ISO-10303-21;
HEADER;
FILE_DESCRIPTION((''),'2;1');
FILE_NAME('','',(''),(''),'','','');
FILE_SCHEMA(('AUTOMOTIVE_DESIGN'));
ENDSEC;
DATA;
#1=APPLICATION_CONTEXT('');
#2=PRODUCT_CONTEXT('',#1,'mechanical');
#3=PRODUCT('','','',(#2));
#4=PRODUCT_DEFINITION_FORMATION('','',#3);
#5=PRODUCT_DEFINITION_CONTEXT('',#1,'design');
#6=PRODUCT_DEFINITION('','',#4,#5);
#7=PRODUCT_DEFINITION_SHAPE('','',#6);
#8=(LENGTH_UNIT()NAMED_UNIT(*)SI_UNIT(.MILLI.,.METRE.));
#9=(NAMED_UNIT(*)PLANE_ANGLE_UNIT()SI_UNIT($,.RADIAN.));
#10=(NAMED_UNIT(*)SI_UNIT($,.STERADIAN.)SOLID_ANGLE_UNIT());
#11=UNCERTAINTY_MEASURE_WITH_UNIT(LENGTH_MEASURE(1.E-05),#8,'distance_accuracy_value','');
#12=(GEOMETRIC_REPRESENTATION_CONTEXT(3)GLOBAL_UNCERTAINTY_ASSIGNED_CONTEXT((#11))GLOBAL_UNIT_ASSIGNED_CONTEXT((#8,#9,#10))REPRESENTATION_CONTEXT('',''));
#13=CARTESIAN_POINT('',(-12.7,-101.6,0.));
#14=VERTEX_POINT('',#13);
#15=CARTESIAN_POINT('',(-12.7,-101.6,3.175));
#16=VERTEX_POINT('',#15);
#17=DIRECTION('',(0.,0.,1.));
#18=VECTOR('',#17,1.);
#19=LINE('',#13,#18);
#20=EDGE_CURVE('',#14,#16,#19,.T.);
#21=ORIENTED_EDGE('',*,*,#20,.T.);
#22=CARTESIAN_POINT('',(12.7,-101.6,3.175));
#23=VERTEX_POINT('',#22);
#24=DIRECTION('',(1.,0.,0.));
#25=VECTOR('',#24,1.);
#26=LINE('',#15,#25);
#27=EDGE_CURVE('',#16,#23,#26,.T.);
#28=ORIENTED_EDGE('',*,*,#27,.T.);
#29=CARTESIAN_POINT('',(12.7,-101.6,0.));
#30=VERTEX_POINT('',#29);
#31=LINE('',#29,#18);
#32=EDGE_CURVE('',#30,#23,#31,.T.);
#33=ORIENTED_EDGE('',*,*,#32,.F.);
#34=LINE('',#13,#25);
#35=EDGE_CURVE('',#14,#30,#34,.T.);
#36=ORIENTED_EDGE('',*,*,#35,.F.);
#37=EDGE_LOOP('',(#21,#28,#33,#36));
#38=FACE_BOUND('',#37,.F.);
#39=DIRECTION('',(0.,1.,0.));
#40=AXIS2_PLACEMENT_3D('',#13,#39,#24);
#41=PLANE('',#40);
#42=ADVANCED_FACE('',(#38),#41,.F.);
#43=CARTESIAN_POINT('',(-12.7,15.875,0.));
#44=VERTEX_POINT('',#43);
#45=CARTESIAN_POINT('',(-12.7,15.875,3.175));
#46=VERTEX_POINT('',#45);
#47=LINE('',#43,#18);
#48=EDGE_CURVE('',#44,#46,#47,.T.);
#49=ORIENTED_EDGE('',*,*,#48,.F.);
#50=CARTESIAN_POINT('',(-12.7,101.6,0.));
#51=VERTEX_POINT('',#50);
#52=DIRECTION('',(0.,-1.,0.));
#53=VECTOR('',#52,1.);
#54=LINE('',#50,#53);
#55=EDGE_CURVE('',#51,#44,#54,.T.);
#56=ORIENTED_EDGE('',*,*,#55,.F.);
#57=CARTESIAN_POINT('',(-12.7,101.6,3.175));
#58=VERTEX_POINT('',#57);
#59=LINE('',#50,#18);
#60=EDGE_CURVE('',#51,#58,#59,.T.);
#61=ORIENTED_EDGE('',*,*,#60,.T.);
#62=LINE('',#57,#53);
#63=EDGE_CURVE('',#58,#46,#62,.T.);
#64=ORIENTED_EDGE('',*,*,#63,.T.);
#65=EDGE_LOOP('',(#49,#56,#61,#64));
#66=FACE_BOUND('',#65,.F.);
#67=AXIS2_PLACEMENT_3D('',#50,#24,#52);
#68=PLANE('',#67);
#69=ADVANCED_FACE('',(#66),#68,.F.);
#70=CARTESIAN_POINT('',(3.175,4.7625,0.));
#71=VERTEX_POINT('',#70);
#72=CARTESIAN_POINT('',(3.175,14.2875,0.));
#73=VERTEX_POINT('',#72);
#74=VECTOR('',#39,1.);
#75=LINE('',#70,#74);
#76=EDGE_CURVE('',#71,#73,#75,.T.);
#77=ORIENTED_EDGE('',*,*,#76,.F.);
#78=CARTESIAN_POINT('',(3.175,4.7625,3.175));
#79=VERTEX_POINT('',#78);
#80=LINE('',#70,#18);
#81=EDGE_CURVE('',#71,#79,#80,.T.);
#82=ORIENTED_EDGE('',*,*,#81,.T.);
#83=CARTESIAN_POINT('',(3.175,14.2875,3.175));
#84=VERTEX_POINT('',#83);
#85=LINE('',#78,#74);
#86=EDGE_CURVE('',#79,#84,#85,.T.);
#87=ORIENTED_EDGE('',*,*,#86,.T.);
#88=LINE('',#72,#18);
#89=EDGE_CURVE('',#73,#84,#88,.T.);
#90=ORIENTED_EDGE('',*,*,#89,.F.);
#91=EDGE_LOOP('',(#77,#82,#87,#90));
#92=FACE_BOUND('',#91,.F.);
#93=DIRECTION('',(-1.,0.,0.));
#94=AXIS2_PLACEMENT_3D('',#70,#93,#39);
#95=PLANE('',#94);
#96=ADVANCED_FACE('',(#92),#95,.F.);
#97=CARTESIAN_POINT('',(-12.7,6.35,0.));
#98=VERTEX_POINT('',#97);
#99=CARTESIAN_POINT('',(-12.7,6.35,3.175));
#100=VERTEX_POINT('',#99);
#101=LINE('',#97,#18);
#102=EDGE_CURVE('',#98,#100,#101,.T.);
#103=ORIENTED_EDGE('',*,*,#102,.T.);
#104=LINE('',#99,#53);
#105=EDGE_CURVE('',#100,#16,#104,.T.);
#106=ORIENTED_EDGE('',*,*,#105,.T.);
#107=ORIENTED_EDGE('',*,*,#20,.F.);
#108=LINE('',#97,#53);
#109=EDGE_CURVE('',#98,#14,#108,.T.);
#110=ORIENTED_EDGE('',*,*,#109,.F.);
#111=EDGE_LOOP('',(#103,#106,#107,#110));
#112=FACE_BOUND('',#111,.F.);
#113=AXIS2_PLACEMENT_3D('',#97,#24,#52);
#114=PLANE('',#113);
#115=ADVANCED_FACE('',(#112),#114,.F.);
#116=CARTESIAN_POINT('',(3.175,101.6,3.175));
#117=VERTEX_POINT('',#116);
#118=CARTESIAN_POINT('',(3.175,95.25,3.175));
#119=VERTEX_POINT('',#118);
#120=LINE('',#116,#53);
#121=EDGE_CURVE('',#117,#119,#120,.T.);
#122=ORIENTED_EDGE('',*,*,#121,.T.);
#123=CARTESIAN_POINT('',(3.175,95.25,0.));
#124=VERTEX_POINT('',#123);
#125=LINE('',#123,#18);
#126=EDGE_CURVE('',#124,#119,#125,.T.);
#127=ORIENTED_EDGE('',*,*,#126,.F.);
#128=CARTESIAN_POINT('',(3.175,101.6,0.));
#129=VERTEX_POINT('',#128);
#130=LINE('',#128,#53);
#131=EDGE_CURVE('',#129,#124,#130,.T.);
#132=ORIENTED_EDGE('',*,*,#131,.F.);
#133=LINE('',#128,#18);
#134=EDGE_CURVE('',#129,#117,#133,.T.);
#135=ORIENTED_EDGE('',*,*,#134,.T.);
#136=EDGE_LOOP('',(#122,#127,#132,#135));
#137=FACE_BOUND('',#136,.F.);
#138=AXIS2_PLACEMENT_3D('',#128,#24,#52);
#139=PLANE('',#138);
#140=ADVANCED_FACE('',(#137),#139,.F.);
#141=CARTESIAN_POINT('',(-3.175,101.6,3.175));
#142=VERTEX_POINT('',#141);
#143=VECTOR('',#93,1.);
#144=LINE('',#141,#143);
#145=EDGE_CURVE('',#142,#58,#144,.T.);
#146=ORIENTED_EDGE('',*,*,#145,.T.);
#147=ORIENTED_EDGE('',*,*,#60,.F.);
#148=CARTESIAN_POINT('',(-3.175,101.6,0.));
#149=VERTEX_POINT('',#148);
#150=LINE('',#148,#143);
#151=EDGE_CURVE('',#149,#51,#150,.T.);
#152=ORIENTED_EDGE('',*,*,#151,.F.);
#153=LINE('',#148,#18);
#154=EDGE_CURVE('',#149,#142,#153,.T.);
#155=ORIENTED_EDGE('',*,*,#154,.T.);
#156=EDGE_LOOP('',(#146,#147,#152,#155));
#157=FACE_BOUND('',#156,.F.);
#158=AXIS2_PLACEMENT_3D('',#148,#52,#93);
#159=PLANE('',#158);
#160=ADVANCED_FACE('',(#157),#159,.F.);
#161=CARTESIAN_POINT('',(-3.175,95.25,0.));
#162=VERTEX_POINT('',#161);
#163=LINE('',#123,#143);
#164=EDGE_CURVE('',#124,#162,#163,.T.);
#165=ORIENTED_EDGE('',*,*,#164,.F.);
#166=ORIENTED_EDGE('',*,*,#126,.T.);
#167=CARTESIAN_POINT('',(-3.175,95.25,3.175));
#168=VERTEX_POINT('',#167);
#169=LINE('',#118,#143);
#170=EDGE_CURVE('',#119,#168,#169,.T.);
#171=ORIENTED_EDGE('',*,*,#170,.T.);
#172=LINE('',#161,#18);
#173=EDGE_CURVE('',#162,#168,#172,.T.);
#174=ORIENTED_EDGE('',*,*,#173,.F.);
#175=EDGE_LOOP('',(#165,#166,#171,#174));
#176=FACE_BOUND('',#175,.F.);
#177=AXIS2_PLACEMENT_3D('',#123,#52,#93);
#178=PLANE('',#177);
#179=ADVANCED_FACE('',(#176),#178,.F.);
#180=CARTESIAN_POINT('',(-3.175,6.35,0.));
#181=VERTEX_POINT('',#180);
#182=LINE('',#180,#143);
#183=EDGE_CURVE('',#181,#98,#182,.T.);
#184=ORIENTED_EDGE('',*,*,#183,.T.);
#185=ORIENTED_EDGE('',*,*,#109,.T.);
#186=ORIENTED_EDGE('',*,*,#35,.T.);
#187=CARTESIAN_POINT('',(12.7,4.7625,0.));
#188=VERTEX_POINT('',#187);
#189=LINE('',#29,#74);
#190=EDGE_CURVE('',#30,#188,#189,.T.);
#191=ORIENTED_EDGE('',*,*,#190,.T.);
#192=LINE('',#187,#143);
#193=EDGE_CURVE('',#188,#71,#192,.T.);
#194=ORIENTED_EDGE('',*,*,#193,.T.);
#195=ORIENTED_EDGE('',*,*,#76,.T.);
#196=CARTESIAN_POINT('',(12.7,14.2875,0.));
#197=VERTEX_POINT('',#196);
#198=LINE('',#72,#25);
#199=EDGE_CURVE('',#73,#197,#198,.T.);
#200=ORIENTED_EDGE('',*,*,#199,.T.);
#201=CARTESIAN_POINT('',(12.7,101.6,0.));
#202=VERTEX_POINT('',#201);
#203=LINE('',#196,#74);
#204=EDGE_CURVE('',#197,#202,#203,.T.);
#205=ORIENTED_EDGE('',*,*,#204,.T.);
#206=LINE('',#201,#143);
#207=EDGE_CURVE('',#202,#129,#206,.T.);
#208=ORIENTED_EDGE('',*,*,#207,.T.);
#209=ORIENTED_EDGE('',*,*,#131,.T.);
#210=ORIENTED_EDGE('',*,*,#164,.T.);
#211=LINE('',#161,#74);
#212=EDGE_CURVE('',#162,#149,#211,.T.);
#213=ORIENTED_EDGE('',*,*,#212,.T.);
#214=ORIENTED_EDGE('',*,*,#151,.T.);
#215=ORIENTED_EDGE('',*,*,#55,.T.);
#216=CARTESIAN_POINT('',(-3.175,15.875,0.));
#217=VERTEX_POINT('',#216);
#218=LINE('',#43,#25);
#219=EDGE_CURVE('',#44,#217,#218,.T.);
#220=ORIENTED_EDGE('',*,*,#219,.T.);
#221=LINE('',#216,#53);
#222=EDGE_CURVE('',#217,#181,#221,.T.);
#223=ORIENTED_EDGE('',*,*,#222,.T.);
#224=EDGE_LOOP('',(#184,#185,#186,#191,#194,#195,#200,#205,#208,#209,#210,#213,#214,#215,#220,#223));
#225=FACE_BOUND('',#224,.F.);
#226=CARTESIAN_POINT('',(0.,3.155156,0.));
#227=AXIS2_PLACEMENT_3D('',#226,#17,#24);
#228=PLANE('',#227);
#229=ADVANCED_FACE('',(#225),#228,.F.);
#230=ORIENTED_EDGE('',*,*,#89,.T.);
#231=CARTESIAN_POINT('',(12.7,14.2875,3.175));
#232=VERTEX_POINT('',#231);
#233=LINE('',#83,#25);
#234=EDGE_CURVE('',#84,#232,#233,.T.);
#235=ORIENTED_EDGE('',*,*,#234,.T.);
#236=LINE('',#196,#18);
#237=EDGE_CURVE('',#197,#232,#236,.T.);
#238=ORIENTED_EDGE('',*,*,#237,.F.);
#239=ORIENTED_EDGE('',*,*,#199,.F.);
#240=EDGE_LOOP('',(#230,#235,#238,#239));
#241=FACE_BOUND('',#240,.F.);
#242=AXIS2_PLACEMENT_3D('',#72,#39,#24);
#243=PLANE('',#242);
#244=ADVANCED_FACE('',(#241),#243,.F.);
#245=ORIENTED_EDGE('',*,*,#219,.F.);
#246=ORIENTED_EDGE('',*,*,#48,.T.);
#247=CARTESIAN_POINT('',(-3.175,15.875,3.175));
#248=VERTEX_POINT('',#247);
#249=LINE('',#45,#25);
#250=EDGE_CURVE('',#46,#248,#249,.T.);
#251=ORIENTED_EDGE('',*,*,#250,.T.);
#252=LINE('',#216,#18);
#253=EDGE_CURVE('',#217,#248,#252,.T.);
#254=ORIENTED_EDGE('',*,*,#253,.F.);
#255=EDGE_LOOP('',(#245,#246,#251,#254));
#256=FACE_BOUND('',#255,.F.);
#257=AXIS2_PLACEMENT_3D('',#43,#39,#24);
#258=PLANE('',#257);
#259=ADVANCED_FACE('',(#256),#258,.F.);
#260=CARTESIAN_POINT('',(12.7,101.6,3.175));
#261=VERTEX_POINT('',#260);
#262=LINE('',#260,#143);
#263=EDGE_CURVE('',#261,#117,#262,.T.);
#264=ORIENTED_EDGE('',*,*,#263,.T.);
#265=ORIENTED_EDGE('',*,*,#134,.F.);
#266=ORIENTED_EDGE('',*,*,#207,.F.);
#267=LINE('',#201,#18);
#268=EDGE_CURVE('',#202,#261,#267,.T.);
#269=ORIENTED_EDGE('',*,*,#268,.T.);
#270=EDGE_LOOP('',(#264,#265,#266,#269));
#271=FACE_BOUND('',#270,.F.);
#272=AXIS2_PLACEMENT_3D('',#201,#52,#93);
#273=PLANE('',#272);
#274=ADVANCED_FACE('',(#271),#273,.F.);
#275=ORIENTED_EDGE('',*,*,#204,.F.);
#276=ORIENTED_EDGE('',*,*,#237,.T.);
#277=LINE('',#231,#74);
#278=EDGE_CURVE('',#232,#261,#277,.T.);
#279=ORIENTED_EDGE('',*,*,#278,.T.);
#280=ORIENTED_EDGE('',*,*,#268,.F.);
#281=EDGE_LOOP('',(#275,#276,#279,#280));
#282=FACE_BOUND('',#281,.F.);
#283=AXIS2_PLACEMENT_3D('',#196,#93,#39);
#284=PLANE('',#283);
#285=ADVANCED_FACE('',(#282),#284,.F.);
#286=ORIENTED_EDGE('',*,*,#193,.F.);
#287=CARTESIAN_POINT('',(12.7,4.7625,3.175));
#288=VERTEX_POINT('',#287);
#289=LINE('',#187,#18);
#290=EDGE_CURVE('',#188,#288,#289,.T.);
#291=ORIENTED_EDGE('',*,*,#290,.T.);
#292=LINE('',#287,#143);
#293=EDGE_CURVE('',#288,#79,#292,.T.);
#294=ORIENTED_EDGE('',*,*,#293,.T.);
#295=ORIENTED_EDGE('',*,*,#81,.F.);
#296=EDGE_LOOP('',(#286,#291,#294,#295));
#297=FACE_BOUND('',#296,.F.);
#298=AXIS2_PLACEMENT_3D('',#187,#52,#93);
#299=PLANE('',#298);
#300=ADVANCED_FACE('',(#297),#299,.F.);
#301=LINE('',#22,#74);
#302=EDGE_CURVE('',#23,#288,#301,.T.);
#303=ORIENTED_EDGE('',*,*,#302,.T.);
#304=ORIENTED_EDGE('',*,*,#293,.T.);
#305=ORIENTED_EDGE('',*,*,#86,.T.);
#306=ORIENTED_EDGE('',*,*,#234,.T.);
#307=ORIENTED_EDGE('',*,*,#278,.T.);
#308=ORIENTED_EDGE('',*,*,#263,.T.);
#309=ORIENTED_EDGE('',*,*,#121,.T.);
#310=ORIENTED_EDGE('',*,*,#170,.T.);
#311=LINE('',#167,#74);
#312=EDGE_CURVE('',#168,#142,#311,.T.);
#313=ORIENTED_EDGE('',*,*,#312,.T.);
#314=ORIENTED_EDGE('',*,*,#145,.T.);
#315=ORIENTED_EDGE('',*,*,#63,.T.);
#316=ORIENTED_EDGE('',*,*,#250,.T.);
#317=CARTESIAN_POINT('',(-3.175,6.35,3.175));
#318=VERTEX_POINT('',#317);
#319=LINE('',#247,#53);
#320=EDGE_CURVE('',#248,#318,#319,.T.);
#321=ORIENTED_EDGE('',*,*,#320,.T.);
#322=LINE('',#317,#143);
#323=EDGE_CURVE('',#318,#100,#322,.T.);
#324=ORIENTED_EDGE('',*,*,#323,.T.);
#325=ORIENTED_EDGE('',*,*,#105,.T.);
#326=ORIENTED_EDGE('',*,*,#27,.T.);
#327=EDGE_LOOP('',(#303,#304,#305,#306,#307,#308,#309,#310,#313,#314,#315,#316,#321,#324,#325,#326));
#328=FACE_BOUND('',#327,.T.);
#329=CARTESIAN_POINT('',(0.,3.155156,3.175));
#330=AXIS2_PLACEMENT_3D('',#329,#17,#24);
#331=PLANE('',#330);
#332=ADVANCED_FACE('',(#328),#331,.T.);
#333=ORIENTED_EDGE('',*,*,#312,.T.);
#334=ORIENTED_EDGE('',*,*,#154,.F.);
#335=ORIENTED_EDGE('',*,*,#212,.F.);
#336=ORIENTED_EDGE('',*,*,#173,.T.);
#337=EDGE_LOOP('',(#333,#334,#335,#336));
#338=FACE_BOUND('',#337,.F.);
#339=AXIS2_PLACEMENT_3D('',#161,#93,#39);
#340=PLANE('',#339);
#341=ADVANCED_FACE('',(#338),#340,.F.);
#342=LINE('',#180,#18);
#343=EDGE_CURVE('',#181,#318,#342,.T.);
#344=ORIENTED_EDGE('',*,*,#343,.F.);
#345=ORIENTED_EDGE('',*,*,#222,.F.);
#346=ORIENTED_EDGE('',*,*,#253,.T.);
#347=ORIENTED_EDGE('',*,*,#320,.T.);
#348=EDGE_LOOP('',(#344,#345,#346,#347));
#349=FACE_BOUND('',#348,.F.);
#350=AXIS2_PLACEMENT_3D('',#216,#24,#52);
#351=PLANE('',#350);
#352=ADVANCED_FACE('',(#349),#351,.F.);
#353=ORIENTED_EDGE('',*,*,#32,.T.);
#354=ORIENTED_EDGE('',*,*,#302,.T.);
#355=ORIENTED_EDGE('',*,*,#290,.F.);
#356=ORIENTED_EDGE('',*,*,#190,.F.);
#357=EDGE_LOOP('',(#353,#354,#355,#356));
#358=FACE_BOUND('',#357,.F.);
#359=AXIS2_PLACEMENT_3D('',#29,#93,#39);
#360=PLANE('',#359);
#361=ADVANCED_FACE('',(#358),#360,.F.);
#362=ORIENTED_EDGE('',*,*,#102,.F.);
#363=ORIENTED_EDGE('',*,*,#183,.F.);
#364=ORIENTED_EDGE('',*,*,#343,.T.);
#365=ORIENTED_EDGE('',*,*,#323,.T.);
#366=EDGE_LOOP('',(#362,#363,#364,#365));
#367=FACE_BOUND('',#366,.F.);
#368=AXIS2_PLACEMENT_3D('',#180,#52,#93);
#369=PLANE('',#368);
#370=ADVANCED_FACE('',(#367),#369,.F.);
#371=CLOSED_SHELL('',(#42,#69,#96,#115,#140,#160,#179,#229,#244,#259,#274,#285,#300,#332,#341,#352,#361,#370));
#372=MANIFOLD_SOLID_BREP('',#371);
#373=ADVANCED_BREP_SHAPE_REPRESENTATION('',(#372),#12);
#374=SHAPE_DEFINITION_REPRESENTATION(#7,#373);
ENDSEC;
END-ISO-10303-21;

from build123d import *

# Parameters (mm, degrees)
F1_DEPTH = 3.175


with BuildPart() as f1:
    # F0 (on Top) → F1 (new body)
    with BuildSketch(Plane.XY):
        Polygon((-12.7, 6.35), (-12.7, -101.6), (12.7, -101.6), (12.7, 4.7625), (3.175, 4.7625), (3.175, 14.2875), (12.7, 14.2875), (12.7, 101.6), (3.175, 101.6), (3.175, 95.25), (-3.175, 95.25), (-3.175, 101.6), (-12.7, 101.6), (-12.7, 15.875), (-3.175, 15.875), (-3.175, 6.35), align=None)
    extrude(amount=F1_DEPTH)


solid = f1.part
